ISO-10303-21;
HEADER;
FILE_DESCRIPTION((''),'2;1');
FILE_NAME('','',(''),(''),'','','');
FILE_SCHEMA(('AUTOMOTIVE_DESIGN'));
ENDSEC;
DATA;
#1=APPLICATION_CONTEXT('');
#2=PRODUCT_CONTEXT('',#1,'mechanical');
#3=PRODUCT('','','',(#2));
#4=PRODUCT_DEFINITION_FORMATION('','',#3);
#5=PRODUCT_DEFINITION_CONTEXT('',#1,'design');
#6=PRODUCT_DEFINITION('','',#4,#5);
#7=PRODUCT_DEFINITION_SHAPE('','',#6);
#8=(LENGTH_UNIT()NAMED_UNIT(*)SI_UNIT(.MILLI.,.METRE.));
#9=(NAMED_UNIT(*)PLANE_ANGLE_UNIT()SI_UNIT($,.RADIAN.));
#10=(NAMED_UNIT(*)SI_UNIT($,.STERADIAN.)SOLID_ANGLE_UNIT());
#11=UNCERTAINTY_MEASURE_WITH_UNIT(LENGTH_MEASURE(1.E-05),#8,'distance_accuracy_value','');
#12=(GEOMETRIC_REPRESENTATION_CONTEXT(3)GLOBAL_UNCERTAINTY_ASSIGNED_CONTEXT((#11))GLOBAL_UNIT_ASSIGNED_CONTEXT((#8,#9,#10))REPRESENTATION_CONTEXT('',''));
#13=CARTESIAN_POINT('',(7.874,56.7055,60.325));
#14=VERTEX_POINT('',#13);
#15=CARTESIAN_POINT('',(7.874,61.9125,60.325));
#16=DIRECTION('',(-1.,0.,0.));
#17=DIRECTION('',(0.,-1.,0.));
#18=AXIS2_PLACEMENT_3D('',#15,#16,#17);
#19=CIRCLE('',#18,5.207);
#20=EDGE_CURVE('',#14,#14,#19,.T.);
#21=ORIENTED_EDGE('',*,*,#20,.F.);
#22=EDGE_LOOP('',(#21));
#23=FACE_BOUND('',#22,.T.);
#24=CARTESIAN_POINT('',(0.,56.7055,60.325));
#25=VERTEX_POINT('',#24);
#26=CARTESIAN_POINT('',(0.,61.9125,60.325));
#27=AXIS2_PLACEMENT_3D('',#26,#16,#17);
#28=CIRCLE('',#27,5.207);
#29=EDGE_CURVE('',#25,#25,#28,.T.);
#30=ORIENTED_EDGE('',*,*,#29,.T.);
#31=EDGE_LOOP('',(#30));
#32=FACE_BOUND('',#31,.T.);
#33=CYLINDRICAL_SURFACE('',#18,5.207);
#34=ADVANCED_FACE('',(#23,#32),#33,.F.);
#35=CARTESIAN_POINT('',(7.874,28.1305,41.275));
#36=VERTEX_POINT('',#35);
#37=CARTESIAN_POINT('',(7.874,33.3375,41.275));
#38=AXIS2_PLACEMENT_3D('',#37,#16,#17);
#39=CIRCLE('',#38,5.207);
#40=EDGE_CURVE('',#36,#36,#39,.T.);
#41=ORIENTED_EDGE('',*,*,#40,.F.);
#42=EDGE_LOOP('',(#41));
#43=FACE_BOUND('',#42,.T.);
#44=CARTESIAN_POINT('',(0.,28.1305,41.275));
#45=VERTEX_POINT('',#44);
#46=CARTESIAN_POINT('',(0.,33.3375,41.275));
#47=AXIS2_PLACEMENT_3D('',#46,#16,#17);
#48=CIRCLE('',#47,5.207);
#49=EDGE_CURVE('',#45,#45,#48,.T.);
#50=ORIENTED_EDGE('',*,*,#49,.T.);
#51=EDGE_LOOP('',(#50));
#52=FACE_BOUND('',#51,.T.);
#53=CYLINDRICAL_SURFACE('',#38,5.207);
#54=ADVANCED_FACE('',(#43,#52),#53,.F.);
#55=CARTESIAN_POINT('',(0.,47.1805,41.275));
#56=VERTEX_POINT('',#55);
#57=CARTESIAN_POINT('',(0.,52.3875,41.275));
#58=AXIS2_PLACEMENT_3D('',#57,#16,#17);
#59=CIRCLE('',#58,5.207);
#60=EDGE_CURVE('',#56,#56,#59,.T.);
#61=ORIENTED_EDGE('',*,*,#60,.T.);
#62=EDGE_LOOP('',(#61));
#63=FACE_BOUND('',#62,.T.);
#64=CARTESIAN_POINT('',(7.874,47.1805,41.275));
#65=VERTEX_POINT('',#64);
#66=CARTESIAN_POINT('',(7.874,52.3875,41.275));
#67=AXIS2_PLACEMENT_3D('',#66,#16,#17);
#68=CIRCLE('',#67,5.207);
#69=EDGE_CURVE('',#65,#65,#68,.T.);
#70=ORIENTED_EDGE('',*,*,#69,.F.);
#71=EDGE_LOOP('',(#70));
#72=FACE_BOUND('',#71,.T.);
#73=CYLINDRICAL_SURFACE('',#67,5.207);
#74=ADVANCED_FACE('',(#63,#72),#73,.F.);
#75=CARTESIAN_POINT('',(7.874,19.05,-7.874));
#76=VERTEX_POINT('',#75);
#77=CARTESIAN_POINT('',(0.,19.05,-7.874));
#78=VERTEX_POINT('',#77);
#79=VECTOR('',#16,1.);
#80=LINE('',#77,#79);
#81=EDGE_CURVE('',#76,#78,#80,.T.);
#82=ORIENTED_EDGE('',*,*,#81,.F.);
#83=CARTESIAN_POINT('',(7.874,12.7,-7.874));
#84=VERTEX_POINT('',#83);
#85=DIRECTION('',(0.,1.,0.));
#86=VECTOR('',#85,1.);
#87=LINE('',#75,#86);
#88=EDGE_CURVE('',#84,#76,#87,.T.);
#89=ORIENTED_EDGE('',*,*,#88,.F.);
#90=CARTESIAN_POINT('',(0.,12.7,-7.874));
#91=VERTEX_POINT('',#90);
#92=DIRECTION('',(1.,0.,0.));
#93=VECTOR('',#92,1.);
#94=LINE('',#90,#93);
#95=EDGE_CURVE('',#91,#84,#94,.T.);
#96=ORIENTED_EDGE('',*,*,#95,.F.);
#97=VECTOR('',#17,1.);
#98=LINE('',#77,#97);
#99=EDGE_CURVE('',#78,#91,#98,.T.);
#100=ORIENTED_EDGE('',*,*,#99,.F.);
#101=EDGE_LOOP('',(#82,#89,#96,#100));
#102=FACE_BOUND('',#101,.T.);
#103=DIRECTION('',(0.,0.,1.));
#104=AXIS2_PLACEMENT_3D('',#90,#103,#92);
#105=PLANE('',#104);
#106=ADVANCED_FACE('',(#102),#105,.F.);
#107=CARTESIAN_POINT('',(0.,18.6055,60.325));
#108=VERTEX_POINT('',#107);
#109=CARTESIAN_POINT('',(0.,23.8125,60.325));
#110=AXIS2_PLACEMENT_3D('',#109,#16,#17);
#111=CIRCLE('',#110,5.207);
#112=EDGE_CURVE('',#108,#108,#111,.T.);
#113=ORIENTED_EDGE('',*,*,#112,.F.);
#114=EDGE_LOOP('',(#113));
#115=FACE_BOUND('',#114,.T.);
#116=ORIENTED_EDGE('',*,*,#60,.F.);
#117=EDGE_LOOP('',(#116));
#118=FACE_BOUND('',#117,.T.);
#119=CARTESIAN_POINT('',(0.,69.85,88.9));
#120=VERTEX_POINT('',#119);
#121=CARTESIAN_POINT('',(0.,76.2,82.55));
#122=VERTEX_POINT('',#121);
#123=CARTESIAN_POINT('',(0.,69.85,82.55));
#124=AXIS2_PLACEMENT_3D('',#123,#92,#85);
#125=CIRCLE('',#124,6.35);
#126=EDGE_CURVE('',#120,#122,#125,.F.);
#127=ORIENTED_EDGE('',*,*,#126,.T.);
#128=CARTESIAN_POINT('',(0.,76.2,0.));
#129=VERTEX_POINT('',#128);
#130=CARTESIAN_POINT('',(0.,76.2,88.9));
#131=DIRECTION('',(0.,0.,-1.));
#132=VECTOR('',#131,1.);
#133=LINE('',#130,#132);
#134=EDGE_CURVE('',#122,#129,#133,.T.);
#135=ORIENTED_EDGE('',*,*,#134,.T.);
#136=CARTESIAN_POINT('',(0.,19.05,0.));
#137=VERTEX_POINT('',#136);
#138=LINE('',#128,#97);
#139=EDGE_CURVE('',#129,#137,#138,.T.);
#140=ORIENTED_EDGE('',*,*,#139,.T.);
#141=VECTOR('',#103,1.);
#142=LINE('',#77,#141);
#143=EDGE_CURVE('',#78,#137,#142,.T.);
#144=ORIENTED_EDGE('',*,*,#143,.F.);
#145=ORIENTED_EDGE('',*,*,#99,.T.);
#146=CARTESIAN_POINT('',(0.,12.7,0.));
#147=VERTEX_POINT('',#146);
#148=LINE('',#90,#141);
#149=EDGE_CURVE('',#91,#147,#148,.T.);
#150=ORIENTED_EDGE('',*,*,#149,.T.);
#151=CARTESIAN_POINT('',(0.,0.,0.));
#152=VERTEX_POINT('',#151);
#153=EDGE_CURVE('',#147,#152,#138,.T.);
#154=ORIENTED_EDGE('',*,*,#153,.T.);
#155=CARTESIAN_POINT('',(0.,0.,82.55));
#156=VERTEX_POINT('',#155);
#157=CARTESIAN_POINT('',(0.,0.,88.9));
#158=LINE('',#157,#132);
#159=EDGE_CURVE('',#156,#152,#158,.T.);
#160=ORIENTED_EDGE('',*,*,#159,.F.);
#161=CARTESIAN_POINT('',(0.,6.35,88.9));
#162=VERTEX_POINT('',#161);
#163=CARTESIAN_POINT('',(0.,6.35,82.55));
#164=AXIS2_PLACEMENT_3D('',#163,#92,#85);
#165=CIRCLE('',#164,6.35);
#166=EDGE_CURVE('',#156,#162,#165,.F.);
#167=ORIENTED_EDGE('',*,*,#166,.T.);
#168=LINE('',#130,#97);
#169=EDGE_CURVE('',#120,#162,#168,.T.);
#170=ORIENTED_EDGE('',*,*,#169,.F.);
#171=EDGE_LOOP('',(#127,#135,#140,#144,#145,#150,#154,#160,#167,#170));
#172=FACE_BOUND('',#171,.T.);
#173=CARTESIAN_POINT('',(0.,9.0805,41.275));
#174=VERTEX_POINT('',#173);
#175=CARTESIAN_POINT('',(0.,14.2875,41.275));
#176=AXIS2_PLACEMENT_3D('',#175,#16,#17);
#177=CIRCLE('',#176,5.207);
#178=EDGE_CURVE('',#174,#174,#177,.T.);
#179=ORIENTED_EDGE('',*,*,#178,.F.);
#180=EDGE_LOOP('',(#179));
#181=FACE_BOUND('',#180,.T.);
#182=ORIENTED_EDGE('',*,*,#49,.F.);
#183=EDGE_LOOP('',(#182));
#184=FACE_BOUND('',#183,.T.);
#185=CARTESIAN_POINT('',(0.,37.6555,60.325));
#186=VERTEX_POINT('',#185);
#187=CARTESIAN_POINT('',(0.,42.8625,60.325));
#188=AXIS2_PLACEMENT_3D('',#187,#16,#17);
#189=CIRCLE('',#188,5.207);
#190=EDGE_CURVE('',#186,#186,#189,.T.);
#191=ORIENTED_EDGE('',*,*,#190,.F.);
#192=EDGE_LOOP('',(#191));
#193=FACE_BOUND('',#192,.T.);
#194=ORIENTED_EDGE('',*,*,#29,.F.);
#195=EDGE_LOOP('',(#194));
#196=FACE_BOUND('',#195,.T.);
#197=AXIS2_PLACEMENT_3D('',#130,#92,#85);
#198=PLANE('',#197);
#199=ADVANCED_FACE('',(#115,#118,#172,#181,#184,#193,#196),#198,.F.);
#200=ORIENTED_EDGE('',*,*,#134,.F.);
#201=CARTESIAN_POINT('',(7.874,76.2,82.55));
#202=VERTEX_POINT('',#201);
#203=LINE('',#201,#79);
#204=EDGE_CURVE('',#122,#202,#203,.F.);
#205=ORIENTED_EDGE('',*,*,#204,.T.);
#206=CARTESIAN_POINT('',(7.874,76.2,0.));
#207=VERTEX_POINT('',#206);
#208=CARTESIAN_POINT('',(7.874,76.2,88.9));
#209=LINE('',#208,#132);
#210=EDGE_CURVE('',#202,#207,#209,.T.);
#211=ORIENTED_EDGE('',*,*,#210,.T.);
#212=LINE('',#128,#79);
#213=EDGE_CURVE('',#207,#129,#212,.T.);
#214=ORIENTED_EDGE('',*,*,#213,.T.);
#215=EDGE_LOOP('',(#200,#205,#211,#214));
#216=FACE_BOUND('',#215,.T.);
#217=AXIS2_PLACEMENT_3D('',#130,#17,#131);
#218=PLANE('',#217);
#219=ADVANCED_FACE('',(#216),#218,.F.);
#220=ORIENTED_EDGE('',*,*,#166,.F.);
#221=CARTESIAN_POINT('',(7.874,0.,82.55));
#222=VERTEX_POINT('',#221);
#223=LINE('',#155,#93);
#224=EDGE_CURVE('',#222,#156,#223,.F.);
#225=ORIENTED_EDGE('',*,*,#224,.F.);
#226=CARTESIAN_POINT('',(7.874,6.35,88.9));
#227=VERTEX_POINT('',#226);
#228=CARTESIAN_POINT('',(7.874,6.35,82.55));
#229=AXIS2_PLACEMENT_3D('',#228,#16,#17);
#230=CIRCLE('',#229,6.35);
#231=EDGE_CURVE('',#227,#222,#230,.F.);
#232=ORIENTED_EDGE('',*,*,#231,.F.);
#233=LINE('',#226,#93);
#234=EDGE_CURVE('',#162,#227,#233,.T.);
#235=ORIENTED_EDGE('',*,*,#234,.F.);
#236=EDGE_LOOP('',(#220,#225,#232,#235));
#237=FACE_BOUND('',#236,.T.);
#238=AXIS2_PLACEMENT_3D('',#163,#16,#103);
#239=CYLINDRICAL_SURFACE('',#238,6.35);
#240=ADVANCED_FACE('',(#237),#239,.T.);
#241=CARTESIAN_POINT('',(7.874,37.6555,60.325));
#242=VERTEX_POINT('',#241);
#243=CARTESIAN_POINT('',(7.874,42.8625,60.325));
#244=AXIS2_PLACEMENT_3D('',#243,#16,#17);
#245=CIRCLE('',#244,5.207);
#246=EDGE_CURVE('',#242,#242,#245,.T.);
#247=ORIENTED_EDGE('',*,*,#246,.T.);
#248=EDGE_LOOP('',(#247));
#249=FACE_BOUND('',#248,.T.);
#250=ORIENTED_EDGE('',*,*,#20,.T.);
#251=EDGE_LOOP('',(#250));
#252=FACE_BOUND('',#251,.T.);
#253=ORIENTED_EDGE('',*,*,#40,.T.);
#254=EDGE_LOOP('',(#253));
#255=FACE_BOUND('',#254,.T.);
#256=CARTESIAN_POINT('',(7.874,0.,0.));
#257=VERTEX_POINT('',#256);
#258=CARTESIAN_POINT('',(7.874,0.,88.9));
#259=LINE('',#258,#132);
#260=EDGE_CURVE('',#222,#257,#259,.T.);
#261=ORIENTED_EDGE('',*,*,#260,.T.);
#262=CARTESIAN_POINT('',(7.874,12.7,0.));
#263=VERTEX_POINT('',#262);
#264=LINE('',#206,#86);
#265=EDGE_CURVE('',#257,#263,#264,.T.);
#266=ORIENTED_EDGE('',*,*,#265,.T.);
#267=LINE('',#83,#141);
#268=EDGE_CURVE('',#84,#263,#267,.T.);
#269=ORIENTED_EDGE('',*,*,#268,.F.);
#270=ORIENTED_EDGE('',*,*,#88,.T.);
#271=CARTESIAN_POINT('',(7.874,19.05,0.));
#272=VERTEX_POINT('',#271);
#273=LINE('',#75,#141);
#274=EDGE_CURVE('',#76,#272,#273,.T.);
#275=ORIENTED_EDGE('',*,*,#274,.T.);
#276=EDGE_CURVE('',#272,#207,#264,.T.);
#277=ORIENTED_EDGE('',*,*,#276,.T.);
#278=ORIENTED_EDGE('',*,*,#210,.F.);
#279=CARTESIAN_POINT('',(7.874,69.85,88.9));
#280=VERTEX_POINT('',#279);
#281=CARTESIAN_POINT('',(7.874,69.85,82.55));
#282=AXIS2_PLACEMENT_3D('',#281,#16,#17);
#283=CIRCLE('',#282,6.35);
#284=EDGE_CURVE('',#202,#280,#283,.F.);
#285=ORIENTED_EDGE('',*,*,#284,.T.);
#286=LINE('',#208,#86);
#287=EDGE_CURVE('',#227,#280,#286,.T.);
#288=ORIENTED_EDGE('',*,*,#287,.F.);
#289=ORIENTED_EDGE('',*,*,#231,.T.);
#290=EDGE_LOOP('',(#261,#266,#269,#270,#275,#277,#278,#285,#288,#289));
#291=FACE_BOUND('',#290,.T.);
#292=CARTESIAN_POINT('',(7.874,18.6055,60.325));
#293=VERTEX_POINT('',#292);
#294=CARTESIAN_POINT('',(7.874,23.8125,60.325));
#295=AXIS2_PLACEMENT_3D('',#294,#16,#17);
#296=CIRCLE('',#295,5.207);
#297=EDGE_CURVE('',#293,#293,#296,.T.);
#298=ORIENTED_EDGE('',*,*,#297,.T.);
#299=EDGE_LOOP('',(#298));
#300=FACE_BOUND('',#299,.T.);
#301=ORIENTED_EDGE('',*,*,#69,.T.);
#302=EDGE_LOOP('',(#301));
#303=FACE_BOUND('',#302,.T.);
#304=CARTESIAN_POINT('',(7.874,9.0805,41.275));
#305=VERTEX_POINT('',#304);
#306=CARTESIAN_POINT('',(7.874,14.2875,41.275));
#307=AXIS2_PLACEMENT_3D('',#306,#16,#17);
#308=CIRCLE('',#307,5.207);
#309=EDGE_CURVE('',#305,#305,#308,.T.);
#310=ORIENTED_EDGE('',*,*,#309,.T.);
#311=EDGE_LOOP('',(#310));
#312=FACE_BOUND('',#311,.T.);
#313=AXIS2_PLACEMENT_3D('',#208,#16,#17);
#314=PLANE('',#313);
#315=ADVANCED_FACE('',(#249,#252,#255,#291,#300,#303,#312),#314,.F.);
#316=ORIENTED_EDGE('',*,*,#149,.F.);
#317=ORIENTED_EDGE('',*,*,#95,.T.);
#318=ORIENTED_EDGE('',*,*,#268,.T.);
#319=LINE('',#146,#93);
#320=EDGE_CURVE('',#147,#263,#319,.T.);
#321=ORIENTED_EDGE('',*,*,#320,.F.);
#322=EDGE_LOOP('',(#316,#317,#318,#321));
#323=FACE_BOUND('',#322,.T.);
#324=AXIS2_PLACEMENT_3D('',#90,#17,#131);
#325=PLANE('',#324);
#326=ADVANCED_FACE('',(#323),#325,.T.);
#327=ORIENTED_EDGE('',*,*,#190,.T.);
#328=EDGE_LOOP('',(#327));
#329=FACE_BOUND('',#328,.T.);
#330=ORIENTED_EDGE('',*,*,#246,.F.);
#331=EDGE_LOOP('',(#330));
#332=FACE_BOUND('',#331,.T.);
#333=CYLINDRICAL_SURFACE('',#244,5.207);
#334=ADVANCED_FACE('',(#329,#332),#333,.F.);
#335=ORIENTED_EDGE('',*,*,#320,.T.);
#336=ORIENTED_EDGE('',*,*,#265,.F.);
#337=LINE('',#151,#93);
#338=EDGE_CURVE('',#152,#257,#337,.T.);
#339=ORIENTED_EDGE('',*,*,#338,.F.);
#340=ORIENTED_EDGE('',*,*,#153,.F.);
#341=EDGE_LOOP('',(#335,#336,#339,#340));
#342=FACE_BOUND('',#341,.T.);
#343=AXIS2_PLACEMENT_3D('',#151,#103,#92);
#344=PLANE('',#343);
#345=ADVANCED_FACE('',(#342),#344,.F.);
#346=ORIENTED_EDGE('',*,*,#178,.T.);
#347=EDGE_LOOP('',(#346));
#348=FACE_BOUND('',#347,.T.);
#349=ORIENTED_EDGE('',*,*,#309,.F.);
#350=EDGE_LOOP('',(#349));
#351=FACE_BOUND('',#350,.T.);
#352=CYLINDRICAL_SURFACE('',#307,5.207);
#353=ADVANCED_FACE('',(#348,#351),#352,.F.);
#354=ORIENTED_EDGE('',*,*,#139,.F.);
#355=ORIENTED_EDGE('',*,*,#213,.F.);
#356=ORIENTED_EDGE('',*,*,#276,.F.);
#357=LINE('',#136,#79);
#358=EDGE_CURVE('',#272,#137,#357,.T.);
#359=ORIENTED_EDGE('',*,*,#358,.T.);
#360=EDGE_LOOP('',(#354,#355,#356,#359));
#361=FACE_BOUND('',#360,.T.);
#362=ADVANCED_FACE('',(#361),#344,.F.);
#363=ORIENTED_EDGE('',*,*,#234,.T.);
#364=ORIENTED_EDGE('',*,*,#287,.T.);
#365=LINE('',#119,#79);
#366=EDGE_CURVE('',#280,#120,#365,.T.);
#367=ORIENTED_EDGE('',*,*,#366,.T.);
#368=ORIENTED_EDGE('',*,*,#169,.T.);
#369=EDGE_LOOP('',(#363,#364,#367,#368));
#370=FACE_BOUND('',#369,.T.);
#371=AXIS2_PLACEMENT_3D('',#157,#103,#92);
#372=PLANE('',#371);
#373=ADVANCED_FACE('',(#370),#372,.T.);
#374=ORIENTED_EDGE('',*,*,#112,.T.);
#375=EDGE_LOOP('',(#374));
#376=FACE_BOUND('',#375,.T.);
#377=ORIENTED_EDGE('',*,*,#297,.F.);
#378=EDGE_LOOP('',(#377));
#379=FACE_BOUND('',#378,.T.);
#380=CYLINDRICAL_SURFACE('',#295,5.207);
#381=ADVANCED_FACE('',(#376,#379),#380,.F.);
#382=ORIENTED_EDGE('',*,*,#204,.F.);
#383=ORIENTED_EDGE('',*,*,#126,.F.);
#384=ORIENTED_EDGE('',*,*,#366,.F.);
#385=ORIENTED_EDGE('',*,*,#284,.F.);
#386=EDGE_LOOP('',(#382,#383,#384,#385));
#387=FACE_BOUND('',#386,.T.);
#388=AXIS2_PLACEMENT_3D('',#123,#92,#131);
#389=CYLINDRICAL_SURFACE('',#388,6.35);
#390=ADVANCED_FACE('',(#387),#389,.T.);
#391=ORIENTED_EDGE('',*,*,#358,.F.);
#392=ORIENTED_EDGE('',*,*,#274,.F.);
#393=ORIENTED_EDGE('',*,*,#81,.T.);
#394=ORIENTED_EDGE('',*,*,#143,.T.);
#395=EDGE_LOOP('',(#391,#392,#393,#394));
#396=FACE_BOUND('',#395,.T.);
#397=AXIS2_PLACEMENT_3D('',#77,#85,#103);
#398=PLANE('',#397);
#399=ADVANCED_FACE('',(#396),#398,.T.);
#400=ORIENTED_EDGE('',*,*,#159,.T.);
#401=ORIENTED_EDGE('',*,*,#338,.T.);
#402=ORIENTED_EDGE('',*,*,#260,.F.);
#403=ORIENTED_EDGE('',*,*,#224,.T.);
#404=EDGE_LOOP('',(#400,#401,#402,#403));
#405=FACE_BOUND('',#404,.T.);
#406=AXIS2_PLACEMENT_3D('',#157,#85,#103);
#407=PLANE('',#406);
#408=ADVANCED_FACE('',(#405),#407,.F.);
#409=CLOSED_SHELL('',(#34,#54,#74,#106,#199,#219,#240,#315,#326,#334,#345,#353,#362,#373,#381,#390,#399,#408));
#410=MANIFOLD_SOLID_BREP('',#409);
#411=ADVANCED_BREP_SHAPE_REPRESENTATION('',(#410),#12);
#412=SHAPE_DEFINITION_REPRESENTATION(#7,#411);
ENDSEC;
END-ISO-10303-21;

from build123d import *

# Parameters (mm, degrees)
SKETCH1_W          = 7.874
SKETCH1_H          = 76.2
EXTRUDE1_DEPTH     = 88.9
SKETCH2_R          = 5.207
CUT_EXTRUDE1_DEPTH = 8.874
FILLET1_R          = 6.35
SKETCH3_W          = 7.874
SKETCH3_H          = 6.35
EXTRUDE2_DEPTH     = 7.874


with BuildPart() as part:
    # Sketch1 → Extrude1 (new body)
    with BuildSketch(Plane.XY):
        with Locations((3.937, 38.1)):
            Rectangle(SKETCH1_W, SKETCH1_H)
    extrude(amount=EXTRUDE1_DEPTH)

    # Sketch2 → Cut-Extrude1 (cut, through all)
    with BuildSketch(Plane.ZY):
        with Locations((60.325, 23.8125)):
            Circle(SKETCH2_R)
        with Locations((60.325, 42.8625)):
            Circle(SKETCH2_R)
        with Locations((60.325, 61.9125)):
            Circle(SKETCH2_R)
        with Locations((41.275, 33.3375)):
            Circle(SKETCH2_R)
        with Locations((41.275, 52.3875)):
            Circle(SKETCH2_R)
        with Locations((41.275, 14.2875)):
            Circle(SKETCH2_R)
    extrude(amount=-CUT_EXTRUDE1_DEPTH, mode=Mode.SUBTRACT)

    # Fillet1
    fillet1_edges = [part.edges().sort_by_distance(p)[0] for p in [
        (3.937, 76.2, 88.9),
        (3.937, 0, 88.9),
    ]]
    fillet(fillet1_edges, radius=FILLET1_R)

    # Sketch3 → Extrude2 (add)
    with BuildSketch(Plane.XY):
        with Locations((3.937, 15.875)):
            Rectangle(SKETCH3_W, SKETCH3_H)
    extrude(amount=-EXTRUDE2_DEPTH)


solid = part.part
